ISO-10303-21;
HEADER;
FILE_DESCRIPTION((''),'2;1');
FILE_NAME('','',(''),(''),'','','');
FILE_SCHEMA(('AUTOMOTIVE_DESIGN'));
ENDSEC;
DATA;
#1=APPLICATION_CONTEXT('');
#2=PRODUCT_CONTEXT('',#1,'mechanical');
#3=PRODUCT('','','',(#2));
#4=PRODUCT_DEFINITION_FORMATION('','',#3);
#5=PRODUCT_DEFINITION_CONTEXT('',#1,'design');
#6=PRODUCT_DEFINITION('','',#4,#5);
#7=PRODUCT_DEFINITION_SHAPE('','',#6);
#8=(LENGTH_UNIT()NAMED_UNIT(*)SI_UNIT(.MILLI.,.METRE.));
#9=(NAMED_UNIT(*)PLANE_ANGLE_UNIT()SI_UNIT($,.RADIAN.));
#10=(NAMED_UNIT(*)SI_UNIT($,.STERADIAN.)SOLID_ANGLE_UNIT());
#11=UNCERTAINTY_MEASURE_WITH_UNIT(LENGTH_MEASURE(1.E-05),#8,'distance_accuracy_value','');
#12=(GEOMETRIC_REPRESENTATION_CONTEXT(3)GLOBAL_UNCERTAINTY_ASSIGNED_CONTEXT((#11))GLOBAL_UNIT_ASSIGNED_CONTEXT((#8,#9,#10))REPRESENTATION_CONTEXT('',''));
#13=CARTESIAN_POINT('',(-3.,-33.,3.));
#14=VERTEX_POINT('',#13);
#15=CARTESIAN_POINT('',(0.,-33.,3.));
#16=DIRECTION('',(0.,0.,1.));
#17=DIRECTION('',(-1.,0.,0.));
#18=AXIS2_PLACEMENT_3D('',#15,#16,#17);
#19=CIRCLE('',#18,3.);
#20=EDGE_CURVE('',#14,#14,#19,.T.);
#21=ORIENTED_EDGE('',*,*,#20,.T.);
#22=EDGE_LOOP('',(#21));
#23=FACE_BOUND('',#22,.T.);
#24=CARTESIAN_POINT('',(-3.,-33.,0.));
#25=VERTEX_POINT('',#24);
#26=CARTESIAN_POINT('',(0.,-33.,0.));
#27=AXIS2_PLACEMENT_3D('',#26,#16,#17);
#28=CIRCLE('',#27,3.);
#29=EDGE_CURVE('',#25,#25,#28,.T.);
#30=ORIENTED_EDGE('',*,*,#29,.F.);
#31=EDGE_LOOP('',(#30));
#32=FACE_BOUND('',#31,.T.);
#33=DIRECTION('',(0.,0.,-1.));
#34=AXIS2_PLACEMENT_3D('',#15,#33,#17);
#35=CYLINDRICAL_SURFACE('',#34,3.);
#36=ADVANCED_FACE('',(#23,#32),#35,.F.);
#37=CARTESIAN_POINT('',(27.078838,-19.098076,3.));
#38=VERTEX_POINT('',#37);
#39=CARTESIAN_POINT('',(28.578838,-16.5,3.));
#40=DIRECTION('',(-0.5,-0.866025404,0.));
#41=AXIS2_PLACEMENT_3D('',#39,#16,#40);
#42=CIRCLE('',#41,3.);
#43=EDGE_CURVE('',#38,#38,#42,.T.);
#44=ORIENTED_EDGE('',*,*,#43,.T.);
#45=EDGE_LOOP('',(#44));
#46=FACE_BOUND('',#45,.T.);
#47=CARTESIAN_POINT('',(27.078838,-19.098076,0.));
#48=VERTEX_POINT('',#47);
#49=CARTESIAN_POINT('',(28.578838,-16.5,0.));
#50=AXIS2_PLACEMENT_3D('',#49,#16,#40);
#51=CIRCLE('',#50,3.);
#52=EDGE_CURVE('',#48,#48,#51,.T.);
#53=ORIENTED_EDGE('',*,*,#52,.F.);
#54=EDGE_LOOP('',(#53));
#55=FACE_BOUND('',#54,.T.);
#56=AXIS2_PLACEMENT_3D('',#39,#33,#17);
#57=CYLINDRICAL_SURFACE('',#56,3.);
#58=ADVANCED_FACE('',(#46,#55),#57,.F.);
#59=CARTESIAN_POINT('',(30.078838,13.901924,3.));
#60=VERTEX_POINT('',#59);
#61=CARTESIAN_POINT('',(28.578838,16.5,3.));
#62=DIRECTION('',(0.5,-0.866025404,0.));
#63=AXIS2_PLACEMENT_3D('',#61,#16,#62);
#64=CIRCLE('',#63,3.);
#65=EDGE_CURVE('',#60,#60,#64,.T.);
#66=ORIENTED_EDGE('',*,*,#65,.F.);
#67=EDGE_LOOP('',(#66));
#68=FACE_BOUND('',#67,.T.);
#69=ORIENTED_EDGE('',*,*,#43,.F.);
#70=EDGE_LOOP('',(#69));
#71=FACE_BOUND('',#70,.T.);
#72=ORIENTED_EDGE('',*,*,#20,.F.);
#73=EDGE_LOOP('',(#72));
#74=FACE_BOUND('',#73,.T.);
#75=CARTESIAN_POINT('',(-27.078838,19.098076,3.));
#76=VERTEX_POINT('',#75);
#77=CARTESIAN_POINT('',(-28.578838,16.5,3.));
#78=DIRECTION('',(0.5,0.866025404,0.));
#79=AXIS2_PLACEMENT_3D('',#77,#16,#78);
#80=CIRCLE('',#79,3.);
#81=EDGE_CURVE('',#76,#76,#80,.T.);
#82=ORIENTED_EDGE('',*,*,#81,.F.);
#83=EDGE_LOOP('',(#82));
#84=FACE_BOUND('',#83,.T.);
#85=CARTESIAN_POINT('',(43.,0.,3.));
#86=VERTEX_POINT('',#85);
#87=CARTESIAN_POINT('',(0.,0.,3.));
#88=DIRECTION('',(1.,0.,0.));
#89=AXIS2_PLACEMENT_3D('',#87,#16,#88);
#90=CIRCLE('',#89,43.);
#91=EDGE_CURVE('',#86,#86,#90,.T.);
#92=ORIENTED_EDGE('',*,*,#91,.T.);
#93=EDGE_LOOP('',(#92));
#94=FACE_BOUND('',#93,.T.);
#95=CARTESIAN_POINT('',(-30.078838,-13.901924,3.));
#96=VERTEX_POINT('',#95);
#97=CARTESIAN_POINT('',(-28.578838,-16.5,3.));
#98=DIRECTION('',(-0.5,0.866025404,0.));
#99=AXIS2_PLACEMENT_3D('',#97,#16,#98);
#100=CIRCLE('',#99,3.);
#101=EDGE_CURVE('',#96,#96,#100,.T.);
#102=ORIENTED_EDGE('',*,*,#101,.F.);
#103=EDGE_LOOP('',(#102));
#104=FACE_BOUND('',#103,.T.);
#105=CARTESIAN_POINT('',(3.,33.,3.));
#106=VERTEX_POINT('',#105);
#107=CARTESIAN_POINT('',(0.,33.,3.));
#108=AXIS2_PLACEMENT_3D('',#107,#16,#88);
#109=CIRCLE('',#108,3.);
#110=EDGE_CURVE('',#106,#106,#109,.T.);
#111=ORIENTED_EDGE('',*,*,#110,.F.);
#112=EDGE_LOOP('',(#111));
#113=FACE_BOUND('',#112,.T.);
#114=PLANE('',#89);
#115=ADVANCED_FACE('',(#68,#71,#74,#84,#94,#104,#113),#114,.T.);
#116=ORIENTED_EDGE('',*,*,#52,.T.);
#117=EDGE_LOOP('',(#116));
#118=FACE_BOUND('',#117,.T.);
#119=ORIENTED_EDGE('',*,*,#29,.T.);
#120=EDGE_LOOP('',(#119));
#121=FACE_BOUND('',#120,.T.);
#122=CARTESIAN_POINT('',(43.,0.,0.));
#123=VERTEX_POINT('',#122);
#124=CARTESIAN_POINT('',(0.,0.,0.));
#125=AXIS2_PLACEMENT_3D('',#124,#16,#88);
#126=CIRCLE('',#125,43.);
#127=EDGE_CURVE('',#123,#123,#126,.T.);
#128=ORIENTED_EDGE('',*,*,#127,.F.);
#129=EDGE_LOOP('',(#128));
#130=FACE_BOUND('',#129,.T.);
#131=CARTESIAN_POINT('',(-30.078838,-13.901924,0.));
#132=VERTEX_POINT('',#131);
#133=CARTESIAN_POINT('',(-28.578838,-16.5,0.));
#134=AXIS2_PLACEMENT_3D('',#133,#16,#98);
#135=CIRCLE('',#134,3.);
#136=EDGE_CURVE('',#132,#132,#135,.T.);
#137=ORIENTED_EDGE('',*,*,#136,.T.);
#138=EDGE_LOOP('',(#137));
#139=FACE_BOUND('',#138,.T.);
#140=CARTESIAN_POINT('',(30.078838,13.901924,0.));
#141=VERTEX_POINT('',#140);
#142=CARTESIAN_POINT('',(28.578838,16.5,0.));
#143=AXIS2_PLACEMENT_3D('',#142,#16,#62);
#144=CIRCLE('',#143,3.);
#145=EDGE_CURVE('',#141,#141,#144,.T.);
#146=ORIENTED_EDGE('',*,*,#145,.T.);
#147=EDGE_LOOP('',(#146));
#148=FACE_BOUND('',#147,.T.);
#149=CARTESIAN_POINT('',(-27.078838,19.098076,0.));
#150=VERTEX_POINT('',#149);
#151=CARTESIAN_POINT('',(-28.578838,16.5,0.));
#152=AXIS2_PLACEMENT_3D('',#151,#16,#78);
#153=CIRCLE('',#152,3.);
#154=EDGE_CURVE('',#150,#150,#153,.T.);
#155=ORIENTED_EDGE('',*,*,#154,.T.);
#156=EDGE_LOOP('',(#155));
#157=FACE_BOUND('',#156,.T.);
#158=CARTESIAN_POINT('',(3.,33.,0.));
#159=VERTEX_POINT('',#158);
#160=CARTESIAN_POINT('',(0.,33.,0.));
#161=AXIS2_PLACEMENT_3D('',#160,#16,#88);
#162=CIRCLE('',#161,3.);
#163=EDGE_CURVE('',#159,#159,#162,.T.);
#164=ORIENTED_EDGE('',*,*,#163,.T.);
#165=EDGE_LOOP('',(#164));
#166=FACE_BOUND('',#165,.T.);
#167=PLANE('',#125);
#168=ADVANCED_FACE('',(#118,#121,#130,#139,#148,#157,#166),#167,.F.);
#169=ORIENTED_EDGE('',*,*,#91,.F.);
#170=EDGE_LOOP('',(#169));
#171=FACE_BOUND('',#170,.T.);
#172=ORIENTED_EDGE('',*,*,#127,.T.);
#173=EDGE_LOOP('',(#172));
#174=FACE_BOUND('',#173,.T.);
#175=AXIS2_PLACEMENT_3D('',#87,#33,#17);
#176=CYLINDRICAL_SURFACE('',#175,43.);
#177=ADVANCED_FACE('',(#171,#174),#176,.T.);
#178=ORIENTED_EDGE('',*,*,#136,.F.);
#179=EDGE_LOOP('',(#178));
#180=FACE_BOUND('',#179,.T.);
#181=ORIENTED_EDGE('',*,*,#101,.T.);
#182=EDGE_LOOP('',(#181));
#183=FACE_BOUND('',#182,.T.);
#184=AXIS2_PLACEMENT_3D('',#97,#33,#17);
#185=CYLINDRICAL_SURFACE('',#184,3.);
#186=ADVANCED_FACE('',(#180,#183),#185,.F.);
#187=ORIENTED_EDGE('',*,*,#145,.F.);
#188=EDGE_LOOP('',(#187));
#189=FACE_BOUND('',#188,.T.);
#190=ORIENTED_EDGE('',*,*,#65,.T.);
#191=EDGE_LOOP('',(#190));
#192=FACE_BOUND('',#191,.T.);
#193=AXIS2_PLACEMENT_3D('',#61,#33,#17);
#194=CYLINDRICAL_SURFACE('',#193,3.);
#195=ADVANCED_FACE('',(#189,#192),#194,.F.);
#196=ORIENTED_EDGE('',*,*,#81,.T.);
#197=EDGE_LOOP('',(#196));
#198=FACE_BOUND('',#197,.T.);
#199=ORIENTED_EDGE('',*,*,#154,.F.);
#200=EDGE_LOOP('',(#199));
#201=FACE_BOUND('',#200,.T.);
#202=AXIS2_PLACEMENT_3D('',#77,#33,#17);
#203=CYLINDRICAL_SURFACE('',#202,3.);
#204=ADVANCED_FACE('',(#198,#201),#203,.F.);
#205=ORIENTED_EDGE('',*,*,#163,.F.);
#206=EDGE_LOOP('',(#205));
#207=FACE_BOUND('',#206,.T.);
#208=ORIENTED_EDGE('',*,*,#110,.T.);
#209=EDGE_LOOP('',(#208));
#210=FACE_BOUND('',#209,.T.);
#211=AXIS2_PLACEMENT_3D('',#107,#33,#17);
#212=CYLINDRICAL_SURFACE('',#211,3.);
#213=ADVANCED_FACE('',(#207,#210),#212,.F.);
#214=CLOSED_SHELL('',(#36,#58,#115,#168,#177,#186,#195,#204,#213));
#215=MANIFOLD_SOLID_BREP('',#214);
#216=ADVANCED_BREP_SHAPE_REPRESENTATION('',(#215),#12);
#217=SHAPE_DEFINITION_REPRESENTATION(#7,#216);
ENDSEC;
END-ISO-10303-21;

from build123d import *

# Parameters (mm, degrees)
SKETCH1_R           = 43
BOSS_EXTRUDE2_DEPTH = 3
SKETCH1_3_R         = 3
CUT_EXTRUDE1_DEPTH  = 61.88513776
CIRPATTERN2_COUNT   = 6


with BuildPart() as part:
    # Sketch1 → Boss-Extrude2 (new body)
    with BuildSketch(Plane.XY):
        Circle(SKETCH1_R)
    extrude(amount=BOSS_EXTRUDE2_DEPTH)

    # Sketch1<3> → Cut-Extrude1 (cut, through all)
    with BuildSketch(Plane.XY):
        with Locations((0, 33)):
            Circle(SKETCH1_3_R)
    cut_extrude1 = extrude(amount=CUT_EXTRUDE1_DEPTH, mode=Mode.SUBTRACT)

    # CirPattern2: Cut-Extrude1 ×6 about axis
    cirpattern2_axis = Axis((0, 0, 3), (0, 0, -1))
    for i in range(1, CIRPATTERN2_COUNT):
        add(cut_extrude1.rotate(cirpattern2_axis, i * 360 / CIRPATTERN2_COUNT), mode=Mode.SUBTRACT)


solid = part.part
